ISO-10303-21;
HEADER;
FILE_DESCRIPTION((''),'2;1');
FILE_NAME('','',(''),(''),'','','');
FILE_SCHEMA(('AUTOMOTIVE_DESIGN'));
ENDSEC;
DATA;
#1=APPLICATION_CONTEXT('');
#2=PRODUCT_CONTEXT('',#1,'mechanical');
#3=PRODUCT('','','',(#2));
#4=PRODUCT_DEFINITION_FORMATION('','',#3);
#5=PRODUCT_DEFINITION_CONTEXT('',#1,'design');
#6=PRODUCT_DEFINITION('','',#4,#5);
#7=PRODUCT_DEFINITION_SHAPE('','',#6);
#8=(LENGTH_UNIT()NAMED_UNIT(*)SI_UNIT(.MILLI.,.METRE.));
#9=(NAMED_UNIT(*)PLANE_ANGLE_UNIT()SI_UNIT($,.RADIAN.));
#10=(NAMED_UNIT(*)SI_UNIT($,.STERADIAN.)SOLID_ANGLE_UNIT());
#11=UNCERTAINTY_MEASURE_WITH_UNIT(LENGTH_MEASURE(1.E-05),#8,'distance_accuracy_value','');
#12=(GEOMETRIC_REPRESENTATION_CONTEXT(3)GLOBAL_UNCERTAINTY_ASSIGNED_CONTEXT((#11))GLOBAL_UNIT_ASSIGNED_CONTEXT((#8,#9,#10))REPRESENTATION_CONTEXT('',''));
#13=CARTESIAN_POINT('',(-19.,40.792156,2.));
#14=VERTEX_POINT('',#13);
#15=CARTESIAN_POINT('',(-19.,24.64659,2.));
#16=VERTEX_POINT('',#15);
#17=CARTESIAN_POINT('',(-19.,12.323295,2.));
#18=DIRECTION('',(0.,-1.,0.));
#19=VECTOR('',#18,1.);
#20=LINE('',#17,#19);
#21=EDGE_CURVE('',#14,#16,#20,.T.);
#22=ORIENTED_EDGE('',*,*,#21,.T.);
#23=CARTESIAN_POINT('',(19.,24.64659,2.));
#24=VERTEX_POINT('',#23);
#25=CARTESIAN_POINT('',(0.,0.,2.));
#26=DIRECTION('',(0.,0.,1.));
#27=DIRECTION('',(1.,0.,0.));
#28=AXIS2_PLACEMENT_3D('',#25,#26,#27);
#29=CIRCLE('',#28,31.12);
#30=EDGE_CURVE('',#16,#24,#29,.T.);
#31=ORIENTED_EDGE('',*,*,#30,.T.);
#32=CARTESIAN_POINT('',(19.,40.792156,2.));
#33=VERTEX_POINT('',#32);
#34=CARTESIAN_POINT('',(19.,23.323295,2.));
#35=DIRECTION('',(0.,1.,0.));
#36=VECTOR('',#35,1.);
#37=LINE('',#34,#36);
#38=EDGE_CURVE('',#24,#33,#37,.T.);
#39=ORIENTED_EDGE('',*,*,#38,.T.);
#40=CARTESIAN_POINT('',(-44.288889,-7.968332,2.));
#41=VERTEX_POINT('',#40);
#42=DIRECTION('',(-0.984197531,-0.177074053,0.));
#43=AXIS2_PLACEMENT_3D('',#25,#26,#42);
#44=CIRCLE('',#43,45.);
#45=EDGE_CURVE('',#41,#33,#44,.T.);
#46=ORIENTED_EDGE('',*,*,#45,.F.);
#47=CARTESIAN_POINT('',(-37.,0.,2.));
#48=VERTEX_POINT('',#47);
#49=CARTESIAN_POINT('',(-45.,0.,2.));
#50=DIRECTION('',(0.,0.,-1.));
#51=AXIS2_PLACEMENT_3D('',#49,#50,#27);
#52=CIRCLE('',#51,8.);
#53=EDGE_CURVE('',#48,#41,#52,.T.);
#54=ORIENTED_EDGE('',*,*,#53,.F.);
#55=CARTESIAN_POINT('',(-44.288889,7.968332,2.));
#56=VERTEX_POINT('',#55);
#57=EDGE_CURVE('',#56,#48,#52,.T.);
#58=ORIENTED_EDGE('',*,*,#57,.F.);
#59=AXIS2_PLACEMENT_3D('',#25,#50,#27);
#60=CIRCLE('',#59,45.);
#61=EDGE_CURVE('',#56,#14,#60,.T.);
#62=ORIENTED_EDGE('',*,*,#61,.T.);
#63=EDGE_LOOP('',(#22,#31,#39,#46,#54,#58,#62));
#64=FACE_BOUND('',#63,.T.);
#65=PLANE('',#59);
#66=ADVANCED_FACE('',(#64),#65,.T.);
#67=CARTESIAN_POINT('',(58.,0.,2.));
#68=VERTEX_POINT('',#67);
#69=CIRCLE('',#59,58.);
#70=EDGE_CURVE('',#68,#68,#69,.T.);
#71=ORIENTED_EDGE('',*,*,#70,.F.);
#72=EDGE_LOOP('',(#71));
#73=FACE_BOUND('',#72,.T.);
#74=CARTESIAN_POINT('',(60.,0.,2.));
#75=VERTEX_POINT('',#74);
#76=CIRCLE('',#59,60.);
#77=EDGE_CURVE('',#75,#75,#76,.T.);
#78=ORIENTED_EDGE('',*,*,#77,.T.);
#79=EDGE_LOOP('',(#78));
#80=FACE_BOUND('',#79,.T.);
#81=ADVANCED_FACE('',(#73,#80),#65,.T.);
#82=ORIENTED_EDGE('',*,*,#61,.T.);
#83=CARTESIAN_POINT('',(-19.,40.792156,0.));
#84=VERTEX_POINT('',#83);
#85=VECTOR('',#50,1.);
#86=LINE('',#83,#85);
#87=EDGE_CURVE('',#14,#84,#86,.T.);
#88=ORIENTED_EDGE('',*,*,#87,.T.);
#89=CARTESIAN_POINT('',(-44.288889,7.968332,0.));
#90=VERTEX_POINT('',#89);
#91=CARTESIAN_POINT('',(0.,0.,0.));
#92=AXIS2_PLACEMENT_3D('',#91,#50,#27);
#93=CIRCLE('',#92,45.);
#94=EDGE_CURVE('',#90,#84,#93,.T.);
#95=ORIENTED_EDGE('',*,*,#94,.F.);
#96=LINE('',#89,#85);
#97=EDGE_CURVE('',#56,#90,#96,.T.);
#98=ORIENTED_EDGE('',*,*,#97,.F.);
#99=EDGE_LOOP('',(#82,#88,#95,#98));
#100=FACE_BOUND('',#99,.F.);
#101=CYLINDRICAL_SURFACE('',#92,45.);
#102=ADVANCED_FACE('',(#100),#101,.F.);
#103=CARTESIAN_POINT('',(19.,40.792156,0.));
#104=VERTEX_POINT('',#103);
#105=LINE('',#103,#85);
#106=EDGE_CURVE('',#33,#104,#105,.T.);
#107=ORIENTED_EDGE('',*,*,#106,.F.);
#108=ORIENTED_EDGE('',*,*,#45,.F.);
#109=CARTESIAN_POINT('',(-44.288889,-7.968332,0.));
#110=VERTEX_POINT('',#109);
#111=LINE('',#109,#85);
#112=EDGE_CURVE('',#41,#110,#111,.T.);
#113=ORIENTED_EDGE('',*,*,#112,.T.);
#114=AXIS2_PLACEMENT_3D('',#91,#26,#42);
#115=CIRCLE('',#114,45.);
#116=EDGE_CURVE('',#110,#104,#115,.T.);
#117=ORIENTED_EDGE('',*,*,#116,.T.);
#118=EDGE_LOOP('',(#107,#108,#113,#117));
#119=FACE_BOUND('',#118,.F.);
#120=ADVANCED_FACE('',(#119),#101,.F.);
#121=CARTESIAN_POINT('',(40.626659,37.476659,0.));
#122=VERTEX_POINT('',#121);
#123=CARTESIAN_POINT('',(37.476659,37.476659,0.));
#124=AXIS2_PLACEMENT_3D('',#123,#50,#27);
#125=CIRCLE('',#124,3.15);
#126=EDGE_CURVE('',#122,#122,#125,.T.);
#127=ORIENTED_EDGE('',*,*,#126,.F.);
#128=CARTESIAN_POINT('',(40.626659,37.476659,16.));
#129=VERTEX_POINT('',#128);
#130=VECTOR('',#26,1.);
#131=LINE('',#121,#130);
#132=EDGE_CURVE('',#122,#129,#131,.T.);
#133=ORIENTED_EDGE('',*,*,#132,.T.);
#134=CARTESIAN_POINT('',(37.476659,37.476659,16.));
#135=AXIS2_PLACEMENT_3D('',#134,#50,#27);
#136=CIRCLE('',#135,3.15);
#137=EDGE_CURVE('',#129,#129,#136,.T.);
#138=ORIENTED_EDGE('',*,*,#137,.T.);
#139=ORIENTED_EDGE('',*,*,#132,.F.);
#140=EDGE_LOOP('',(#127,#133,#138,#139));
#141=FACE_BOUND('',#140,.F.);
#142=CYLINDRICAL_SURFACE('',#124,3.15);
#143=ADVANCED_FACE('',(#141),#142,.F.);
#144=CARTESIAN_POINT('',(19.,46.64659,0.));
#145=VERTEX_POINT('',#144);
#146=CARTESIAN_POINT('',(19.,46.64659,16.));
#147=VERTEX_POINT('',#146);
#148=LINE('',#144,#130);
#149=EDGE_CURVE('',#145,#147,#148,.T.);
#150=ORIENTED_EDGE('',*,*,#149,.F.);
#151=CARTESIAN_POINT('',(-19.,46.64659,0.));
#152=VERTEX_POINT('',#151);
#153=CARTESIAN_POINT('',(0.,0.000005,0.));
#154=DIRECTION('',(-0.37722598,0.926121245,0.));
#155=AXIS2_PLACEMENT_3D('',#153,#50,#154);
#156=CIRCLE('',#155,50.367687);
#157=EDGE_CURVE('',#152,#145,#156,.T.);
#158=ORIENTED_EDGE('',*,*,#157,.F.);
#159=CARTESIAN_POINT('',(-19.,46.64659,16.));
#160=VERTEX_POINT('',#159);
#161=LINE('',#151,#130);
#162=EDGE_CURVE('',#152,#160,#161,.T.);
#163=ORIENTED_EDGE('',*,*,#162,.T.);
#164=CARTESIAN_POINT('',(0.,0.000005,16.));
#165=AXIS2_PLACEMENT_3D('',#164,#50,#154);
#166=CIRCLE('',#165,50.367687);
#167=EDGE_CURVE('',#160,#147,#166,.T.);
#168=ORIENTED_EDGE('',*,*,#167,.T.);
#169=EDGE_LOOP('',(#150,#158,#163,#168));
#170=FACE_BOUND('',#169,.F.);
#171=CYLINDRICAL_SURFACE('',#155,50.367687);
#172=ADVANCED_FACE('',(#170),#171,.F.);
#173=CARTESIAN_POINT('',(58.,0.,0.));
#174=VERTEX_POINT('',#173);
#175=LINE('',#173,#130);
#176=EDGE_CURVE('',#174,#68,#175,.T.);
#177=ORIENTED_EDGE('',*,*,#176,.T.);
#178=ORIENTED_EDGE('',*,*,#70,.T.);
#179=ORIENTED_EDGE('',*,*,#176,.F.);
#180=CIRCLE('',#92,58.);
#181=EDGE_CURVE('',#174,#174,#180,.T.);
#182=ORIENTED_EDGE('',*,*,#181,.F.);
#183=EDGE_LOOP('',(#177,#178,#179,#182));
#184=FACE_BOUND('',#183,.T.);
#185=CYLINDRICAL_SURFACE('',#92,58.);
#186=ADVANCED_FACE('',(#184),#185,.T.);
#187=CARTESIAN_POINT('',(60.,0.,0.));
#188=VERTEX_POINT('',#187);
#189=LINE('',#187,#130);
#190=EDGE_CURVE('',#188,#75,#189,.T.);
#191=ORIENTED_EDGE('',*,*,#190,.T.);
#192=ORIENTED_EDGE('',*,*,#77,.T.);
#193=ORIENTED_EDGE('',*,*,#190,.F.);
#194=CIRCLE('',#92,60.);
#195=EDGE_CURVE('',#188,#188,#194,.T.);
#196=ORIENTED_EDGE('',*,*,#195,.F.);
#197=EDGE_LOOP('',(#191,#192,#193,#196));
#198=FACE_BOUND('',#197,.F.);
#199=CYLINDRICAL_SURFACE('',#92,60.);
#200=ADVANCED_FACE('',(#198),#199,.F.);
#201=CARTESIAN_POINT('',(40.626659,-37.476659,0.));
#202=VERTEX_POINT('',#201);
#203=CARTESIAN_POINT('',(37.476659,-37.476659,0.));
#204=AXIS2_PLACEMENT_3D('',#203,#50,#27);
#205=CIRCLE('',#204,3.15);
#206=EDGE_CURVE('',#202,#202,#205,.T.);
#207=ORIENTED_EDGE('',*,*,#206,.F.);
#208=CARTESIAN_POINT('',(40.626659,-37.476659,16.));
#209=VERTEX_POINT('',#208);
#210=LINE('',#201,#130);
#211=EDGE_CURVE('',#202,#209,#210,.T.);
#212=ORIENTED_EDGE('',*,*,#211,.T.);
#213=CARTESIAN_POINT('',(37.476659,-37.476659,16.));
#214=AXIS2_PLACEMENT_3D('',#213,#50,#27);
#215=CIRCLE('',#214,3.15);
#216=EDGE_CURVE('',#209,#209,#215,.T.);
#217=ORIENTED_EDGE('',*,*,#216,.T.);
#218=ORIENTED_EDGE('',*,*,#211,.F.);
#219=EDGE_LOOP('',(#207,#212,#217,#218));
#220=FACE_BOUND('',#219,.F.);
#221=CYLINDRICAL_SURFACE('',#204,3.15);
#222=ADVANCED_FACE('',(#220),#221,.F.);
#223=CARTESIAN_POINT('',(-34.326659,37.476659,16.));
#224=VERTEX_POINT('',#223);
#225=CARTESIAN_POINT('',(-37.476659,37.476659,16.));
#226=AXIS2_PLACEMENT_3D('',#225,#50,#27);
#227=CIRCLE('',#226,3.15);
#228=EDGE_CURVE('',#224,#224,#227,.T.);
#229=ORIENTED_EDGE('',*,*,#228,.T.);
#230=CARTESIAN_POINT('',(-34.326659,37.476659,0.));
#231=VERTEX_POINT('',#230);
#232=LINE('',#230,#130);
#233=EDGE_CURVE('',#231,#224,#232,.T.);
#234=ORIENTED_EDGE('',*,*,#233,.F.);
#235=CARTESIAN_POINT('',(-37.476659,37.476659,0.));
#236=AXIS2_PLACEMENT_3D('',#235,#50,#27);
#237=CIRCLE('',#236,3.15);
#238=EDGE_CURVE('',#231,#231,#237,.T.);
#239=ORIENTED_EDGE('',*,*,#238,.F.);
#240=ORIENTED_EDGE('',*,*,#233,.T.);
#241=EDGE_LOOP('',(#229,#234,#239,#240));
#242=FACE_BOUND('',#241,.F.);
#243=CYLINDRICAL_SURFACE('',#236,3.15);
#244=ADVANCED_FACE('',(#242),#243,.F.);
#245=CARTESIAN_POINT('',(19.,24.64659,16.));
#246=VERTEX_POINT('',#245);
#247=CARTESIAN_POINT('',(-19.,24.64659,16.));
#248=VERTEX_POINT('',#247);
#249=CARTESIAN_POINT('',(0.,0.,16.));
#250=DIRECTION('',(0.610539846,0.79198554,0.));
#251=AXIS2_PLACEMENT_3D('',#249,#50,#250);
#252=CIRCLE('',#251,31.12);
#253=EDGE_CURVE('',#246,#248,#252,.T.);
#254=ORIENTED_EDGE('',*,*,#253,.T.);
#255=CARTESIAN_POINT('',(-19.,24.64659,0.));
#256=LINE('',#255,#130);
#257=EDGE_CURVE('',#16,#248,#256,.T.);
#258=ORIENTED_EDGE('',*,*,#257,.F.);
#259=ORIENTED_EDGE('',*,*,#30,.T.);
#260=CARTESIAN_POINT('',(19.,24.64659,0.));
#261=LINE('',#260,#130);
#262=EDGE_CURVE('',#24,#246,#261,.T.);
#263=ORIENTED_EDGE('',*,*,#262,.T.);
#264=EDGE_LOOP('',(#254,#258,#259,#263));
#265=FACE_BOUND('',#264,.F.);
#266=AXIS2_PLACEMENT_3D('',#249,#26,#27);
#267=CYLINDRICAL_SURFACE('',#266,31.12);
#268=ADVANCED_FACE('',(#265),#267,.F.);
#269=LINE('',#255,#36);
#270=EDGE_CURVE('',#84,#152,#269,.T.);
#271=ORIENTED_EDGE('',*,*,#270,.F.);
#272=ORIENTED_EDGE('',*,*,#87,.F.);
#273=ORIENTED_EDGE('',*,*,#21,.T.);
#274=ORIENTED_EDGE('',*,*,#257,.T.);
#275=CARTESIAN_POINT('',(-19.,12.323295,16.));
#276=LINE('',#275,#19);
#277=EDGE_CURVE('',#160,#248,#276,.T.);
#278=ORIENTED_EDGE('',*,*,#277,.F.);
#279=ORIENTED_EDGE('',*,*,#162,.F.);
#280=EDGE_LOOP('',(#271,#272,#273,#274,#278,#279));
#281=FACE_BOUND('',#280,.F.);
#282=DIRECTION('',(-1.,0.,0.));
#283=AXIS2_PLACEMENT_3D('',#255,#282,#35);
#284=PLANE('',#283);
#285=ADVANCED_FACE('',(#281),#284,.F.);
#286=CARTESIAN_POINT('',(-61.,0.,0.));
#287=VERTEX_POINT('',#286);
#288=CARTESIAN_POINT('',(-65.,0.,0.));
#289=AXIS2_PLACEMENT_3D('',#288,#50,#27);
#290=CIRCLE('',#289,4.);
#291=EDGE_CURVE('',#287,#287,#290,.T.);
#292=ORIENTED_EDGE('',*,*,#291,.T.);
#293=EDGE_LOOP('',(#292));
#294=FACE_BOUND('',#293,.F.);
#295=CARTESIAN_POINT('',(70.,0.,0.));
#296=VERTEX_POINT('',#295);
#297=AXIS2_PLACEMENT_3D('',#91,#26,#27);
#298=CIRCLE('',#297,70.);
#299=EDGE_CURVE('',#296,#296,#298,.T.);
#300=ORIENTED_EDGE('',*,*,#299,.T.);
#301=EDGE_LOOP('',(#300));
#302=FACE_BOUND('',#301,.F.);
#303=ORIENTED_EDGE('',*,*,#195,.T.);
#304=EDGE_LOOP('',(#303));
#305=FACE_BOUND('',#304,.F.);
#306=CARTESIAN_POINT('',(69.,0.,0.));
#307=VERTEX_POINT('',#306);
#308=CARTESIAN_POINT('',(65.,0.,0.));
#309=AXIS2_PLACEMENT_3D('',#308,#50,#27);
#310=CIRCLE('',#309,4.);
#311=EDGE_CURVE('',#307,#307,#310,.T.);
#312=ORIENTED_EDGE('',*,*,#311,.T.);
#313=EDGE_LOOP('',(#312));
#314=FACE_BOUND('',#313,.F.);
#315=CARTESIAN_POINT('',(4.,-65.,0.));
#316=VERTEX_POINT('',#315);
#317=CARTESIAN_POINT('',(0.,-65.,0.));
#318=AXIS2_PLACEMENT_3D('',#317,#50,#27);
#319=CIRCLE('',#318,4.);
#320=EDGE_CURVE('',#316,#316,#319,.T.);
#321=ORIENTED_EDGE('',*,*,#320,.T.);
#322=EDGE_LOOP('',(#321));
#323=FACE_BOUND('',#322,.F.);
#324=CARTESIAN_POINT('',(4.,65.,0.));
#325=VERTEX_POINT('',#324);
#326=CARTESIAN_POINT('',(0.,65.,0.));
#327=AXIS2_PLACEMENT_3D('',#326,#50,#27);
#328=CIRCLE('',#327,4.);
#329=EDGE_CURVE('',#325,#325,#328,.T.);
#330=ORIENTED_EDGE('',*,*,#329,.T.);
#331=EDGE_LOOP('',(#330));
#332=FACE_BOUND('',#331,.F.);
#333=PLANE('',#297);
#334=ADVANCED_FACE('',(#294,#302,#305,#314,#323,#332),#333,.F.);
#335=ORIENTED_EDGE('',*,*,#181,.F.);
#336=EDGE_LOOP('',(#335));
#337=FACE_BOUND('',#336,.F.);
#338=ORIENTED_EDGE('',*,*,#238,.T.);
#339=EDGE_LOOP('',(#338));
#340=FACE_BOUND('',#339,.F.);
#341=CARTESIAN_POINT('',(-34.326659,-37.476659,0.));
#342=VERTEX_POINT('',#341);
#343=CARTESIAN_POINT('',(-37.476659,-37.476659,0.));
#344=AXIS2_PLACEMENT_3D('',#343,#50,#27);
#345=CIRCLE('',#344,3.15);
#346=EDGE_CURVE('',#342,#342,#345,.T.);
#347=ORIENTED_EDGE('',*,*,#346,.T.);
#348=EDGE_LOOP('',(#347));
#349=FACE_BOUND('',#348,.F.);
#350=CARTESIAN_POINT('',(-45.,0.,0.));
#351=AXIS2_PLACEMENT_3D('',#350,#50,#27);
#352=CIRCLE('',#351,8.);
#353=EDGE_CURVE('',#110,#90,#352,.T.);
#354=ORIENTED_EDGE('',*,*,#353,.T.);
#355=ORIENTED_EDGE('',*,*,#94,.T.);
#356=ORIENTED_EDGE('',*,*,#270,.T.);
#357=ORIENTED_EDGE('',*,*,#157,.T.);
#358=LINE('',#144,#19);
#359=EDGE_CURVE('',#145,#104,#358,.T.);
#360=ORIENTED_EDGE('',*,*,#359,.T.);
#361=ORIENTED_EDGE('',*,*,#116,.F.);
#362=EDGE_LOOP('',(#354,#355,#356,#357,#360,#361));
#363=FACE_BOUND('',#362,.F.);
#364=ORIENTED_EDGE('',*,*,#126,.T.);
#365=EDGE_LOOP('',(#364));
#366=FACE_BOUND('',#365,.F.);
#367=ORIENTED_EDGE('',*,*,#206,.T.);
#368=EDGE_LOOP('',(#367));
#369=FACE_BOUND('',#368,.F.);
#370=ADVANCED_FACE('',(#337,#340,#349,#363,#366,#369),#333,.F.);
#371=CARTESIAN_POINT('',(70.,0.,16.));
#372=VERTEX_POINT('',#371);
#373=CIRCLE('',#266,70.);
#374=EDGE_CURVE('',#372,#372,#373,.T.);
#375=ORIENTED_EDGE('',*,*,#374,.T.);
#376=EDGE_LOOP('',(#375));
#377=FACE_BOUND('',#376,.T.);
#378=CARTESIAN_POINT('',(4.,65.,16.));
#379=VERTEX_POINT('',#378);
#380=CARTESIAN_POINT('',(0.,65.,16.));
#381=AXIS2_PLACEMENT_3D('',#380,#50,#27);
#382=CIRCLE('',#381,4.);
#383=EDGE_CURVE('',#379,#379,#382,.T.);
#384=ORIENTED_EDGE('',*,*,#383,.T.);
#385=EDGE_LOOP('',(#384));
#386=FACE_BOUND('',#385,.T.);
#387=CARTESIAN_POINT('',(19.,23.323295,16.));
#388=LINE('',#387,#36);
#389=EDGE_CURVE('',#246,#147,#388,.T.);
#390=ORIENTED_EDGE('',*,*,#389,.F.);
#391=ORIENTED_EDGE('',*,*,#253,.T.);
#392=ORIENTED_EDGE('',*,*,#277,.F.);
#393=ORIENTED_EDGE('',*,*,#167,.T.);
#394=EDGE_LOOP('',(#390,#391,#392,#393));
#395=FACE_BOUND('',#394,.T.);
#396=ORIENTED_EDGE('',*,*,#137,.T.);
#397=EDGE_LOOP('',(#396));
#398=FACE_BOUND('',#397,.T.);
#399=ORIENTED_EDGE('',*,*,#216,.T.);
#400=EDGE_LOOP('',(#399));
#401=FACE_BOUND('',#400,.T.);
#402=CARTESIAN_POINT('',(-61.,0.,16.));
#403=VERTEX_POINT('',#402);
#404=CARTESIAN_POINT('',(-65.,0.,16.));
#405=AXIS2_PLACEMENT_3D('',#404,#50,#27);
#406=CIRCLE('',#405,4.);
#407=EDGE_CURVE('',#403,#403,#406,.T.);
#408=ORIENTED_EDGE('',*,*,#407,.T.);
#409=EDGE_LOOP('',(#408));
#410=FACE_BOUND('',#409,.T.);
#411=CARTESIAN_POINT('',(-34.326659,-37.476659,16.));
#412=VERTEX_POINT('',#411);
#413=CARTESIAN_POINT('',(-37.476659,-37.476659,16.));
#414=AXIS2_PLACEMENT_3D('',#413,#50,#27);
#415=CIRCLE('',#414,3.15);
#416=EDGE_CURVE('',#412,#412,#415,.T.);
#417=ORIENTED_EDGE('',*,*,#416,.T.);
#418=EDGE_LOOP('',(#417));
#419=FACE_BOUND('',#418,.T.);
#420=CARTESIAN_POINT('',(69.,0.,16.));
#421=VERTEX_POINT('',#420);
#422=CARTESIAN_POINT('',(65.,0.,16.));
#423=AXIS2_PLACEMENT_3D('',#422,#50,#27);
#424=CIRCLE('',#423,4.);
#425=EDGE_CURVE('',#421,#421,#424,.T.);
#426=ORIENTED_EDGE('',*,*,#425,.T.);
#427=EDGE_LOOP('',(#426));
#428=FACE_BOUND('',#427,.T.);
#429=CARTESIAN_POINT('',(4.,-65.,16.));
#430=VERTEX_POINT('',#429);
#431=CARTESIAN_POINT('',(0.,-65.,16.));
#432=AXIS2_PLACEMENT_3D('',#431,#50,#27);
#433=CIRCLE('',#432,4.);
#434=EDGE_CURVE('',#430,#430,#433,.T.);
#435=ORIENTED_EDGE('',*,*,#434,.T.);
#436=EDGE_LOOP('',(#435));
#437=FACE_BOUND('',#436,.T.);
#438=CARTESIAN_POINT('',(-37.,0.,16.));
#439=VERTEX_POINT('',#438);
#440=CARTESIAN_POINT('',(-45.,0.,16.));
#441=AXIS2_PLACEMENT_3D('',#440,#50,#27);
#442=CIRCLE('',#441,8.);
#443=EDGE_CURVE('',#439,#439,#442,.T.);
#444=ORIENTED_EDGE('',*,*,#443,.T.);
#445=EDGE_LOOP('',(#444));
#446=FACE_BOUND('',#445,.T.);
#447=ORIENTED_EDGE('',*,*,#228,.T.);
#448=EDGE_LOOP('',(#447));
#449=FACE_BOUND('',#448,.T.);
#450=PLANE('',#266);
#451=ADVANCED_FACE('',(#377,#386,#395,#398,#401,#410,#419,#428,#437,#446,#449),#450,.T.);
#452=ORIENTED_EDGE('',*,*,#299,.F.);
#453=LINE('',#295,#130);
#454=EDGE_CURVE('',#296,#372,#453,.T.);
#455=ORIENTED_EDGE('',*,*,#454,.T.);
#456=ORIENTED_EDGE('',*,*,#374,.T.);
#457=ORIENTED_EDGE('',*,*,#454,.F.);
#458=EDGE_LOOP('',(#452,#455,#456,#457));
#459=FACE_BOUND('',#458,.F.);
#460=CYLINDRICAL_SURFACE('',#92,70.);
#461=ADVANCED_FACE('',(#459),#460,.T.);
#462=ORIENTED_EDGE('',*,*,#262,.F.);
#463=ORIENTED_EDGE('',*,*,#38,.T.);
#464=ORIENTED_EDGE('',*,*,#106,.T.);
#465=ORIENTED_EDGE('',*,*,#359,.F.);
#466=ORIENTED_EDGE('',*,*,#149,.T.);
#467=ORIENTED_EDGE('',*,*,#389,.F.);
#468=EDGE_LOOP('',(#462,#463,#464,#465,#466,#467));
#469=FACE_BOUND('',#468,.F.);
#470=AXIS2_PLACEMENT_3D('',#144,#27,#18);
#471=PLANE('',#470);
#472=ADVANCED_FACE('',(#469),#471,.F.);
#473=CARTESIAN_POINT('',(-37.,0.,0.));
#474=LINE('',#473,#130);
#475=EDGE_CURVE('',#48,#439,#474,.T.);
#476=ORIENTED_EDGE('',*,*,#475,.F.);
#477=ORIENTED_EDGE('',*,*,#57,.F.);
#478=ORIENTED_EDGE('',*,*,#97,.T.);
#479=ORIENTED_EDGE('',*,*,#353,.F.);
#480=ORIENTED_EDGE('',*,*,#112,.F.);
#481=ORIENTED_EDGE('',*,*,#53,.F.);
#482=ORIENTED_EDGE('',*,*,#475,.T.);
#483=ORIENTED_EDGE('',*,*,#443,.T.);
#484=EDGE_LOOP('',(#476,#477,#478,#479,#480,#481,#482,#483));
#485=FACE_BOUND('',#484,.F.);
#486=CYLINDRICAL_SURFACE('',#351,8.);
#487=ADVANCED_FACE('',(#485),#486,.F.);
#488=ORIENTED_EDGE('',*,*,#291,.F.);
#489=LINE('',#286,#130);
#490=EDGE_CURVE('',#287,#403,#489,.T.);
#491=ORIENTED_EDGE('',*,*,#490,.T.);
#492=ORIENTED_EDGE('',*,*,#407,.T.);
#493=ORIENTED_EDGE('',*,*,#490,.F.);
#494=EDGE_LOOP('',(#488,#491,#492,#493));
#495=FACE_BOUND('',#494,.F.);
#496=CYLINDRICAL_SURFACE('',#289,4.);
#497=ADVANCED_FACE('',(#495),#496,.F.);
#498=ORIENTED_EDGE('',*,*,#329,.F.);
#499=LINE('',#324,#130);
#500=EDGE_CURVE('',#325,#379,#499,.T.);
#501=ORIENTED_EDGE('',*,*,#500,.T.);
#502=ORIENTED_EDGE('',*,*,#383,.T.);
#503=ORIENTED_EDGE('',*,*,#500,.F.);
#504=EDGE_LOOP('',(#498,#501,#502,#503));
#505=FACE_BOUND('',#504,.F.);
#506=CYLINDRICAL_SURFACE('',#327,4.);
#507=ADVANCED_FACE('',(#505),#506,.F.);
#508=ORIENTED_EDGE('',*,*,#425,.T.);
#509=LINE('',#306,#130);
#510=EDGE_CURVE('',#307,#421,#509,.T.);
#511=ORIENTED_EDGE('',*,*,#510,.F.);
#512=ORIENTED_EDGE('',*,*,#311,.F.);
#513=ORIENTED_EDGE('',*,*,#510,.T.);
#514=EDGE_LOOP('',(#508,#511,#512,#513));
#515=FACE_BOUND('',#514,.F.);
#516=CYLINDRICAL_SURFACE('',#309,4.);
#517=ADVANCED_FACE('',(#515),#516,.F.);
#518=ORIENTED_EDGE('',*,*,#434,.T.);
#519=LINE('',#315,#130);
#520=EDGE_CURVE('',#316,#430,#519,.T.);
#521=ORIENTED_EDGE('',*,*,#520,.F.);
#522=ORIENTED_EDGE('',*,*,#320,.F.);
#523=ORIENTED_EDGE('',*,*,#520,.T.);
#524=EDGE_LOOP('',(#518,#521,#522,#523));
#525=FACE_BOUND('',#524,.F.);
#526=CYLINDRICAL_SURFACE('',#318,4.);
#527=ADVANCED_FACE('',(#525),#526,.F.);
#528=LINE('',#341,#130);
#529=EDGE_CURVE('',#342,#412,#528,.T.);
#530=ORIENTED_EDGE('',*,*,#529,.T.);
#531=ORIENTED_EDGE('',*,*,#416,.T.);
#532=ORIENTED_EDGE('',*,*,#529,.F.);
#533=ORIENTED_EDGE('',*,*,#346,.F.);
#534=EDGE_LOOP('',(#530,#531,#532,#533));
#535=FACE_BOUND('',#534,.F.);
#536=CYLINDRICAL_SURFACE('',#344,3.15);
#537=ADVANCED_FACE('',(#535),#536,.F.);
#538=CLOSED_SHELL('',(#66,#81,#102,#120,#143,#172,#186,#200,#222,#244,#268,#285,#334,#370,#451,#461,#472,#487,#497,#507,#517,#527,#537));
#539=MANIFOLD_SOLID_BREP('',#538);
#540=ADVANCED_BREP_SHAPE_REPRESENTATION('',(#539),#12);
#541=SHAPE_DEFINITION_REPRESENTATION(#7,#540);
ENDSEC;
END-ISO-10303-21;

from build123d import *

# Parameters (mm, degrees)
F0_R     = 70
F1_DEPTH = 16
F2_R     = 31.12
F3_DEPTH = 16.001
F4_R     = 3.15
F4_R_2   = 8
F4_R_3   = 4
F5_DEPTH = 16.001
F6_R     = 45
F7_DEPTH = 2
F8_R     = 60
F8_R_2   = 58
F9_DEPTH = 2


with BuildPart() as f1:
    # F0 (on Top) → F1 (new body)
    with BuildSketch(Plane.XY):
        Circle(F0_R)
    extrude(amount=F1_DEPTH)

    # F2 (on face) → F3 (cut, through all)
    with BuildSketch(Plane.XY.offset(16)):
        Circle(F2_R)
    extrude(amount=-F3_DEPTH, mode=Mode.SUBTRACT)

    # F4 (on face) → F5 (cut, through all)
    with BuildSketch(Plane(origin=(0, 0, 0), x_dir=(1, 0, 0), z_dir=(0, 0, -1))):
        with BuildLine():
            Line((-19, -24.64659), (-19, -46.64659))
            ThreePointArc((-19, -46.64659), (0, -50.367692), (19, -46.64659))
            Line((19, -46.64659), (19, -24.64659))
            ThreePointArc((19, -24.64659), (0, -31.12), (-19, -24.64659))
        make_face()
        with Locations((-37.476659, -37.476659)):
            Circle(F4_R)
        with Locations((-45, 0)):
            Circle(F4_R_2)
        with Locations((-65, 0)):
            Circle(F4_R_3)
        with Locations((-37.476659, 37.476659)):
            Circle(F4_R)
        with Locations((37.476659, 37.476659)):
            Circle(F4_R)
        with Locations((37.476659, -37.476659)):
            Circle(F4_R)
        with Locations((65, 0)):
            Circle(F4_R_3)
        with Locations((0, 65)):
            Circle(F4_R_3)
        with Locations((0, -65)):
            Circle(F4_R_3)
    extrude(amount=-F5_DEPTH, mode=Mode.SUBTRACT)

    # F6 (on face) → F7 (cut)
    with BuildSketch(Plane(origin=(0, 0, 0), x_dir=(1, 0, 0), z_dir=(0, 0, -1))):
        Circle(F6_R)
    extrude(amount=-F7_DEPTH, mode=Mode.SUBTRACT)

    # F8 (on face) → F9 (cut)
    with BuildSketch(Plane(origin=(0, 0, 0), x_dir=(1, 0, 0), z_dir=(0, 0, -1))):
        Circle(F8_R)
        Circle(F8_R_2, mode=Mode.SUBTRACT)
    extrude(amount=-F9_DEPTH, mode=Mode.SUBTRACT)


solid = f1.part
